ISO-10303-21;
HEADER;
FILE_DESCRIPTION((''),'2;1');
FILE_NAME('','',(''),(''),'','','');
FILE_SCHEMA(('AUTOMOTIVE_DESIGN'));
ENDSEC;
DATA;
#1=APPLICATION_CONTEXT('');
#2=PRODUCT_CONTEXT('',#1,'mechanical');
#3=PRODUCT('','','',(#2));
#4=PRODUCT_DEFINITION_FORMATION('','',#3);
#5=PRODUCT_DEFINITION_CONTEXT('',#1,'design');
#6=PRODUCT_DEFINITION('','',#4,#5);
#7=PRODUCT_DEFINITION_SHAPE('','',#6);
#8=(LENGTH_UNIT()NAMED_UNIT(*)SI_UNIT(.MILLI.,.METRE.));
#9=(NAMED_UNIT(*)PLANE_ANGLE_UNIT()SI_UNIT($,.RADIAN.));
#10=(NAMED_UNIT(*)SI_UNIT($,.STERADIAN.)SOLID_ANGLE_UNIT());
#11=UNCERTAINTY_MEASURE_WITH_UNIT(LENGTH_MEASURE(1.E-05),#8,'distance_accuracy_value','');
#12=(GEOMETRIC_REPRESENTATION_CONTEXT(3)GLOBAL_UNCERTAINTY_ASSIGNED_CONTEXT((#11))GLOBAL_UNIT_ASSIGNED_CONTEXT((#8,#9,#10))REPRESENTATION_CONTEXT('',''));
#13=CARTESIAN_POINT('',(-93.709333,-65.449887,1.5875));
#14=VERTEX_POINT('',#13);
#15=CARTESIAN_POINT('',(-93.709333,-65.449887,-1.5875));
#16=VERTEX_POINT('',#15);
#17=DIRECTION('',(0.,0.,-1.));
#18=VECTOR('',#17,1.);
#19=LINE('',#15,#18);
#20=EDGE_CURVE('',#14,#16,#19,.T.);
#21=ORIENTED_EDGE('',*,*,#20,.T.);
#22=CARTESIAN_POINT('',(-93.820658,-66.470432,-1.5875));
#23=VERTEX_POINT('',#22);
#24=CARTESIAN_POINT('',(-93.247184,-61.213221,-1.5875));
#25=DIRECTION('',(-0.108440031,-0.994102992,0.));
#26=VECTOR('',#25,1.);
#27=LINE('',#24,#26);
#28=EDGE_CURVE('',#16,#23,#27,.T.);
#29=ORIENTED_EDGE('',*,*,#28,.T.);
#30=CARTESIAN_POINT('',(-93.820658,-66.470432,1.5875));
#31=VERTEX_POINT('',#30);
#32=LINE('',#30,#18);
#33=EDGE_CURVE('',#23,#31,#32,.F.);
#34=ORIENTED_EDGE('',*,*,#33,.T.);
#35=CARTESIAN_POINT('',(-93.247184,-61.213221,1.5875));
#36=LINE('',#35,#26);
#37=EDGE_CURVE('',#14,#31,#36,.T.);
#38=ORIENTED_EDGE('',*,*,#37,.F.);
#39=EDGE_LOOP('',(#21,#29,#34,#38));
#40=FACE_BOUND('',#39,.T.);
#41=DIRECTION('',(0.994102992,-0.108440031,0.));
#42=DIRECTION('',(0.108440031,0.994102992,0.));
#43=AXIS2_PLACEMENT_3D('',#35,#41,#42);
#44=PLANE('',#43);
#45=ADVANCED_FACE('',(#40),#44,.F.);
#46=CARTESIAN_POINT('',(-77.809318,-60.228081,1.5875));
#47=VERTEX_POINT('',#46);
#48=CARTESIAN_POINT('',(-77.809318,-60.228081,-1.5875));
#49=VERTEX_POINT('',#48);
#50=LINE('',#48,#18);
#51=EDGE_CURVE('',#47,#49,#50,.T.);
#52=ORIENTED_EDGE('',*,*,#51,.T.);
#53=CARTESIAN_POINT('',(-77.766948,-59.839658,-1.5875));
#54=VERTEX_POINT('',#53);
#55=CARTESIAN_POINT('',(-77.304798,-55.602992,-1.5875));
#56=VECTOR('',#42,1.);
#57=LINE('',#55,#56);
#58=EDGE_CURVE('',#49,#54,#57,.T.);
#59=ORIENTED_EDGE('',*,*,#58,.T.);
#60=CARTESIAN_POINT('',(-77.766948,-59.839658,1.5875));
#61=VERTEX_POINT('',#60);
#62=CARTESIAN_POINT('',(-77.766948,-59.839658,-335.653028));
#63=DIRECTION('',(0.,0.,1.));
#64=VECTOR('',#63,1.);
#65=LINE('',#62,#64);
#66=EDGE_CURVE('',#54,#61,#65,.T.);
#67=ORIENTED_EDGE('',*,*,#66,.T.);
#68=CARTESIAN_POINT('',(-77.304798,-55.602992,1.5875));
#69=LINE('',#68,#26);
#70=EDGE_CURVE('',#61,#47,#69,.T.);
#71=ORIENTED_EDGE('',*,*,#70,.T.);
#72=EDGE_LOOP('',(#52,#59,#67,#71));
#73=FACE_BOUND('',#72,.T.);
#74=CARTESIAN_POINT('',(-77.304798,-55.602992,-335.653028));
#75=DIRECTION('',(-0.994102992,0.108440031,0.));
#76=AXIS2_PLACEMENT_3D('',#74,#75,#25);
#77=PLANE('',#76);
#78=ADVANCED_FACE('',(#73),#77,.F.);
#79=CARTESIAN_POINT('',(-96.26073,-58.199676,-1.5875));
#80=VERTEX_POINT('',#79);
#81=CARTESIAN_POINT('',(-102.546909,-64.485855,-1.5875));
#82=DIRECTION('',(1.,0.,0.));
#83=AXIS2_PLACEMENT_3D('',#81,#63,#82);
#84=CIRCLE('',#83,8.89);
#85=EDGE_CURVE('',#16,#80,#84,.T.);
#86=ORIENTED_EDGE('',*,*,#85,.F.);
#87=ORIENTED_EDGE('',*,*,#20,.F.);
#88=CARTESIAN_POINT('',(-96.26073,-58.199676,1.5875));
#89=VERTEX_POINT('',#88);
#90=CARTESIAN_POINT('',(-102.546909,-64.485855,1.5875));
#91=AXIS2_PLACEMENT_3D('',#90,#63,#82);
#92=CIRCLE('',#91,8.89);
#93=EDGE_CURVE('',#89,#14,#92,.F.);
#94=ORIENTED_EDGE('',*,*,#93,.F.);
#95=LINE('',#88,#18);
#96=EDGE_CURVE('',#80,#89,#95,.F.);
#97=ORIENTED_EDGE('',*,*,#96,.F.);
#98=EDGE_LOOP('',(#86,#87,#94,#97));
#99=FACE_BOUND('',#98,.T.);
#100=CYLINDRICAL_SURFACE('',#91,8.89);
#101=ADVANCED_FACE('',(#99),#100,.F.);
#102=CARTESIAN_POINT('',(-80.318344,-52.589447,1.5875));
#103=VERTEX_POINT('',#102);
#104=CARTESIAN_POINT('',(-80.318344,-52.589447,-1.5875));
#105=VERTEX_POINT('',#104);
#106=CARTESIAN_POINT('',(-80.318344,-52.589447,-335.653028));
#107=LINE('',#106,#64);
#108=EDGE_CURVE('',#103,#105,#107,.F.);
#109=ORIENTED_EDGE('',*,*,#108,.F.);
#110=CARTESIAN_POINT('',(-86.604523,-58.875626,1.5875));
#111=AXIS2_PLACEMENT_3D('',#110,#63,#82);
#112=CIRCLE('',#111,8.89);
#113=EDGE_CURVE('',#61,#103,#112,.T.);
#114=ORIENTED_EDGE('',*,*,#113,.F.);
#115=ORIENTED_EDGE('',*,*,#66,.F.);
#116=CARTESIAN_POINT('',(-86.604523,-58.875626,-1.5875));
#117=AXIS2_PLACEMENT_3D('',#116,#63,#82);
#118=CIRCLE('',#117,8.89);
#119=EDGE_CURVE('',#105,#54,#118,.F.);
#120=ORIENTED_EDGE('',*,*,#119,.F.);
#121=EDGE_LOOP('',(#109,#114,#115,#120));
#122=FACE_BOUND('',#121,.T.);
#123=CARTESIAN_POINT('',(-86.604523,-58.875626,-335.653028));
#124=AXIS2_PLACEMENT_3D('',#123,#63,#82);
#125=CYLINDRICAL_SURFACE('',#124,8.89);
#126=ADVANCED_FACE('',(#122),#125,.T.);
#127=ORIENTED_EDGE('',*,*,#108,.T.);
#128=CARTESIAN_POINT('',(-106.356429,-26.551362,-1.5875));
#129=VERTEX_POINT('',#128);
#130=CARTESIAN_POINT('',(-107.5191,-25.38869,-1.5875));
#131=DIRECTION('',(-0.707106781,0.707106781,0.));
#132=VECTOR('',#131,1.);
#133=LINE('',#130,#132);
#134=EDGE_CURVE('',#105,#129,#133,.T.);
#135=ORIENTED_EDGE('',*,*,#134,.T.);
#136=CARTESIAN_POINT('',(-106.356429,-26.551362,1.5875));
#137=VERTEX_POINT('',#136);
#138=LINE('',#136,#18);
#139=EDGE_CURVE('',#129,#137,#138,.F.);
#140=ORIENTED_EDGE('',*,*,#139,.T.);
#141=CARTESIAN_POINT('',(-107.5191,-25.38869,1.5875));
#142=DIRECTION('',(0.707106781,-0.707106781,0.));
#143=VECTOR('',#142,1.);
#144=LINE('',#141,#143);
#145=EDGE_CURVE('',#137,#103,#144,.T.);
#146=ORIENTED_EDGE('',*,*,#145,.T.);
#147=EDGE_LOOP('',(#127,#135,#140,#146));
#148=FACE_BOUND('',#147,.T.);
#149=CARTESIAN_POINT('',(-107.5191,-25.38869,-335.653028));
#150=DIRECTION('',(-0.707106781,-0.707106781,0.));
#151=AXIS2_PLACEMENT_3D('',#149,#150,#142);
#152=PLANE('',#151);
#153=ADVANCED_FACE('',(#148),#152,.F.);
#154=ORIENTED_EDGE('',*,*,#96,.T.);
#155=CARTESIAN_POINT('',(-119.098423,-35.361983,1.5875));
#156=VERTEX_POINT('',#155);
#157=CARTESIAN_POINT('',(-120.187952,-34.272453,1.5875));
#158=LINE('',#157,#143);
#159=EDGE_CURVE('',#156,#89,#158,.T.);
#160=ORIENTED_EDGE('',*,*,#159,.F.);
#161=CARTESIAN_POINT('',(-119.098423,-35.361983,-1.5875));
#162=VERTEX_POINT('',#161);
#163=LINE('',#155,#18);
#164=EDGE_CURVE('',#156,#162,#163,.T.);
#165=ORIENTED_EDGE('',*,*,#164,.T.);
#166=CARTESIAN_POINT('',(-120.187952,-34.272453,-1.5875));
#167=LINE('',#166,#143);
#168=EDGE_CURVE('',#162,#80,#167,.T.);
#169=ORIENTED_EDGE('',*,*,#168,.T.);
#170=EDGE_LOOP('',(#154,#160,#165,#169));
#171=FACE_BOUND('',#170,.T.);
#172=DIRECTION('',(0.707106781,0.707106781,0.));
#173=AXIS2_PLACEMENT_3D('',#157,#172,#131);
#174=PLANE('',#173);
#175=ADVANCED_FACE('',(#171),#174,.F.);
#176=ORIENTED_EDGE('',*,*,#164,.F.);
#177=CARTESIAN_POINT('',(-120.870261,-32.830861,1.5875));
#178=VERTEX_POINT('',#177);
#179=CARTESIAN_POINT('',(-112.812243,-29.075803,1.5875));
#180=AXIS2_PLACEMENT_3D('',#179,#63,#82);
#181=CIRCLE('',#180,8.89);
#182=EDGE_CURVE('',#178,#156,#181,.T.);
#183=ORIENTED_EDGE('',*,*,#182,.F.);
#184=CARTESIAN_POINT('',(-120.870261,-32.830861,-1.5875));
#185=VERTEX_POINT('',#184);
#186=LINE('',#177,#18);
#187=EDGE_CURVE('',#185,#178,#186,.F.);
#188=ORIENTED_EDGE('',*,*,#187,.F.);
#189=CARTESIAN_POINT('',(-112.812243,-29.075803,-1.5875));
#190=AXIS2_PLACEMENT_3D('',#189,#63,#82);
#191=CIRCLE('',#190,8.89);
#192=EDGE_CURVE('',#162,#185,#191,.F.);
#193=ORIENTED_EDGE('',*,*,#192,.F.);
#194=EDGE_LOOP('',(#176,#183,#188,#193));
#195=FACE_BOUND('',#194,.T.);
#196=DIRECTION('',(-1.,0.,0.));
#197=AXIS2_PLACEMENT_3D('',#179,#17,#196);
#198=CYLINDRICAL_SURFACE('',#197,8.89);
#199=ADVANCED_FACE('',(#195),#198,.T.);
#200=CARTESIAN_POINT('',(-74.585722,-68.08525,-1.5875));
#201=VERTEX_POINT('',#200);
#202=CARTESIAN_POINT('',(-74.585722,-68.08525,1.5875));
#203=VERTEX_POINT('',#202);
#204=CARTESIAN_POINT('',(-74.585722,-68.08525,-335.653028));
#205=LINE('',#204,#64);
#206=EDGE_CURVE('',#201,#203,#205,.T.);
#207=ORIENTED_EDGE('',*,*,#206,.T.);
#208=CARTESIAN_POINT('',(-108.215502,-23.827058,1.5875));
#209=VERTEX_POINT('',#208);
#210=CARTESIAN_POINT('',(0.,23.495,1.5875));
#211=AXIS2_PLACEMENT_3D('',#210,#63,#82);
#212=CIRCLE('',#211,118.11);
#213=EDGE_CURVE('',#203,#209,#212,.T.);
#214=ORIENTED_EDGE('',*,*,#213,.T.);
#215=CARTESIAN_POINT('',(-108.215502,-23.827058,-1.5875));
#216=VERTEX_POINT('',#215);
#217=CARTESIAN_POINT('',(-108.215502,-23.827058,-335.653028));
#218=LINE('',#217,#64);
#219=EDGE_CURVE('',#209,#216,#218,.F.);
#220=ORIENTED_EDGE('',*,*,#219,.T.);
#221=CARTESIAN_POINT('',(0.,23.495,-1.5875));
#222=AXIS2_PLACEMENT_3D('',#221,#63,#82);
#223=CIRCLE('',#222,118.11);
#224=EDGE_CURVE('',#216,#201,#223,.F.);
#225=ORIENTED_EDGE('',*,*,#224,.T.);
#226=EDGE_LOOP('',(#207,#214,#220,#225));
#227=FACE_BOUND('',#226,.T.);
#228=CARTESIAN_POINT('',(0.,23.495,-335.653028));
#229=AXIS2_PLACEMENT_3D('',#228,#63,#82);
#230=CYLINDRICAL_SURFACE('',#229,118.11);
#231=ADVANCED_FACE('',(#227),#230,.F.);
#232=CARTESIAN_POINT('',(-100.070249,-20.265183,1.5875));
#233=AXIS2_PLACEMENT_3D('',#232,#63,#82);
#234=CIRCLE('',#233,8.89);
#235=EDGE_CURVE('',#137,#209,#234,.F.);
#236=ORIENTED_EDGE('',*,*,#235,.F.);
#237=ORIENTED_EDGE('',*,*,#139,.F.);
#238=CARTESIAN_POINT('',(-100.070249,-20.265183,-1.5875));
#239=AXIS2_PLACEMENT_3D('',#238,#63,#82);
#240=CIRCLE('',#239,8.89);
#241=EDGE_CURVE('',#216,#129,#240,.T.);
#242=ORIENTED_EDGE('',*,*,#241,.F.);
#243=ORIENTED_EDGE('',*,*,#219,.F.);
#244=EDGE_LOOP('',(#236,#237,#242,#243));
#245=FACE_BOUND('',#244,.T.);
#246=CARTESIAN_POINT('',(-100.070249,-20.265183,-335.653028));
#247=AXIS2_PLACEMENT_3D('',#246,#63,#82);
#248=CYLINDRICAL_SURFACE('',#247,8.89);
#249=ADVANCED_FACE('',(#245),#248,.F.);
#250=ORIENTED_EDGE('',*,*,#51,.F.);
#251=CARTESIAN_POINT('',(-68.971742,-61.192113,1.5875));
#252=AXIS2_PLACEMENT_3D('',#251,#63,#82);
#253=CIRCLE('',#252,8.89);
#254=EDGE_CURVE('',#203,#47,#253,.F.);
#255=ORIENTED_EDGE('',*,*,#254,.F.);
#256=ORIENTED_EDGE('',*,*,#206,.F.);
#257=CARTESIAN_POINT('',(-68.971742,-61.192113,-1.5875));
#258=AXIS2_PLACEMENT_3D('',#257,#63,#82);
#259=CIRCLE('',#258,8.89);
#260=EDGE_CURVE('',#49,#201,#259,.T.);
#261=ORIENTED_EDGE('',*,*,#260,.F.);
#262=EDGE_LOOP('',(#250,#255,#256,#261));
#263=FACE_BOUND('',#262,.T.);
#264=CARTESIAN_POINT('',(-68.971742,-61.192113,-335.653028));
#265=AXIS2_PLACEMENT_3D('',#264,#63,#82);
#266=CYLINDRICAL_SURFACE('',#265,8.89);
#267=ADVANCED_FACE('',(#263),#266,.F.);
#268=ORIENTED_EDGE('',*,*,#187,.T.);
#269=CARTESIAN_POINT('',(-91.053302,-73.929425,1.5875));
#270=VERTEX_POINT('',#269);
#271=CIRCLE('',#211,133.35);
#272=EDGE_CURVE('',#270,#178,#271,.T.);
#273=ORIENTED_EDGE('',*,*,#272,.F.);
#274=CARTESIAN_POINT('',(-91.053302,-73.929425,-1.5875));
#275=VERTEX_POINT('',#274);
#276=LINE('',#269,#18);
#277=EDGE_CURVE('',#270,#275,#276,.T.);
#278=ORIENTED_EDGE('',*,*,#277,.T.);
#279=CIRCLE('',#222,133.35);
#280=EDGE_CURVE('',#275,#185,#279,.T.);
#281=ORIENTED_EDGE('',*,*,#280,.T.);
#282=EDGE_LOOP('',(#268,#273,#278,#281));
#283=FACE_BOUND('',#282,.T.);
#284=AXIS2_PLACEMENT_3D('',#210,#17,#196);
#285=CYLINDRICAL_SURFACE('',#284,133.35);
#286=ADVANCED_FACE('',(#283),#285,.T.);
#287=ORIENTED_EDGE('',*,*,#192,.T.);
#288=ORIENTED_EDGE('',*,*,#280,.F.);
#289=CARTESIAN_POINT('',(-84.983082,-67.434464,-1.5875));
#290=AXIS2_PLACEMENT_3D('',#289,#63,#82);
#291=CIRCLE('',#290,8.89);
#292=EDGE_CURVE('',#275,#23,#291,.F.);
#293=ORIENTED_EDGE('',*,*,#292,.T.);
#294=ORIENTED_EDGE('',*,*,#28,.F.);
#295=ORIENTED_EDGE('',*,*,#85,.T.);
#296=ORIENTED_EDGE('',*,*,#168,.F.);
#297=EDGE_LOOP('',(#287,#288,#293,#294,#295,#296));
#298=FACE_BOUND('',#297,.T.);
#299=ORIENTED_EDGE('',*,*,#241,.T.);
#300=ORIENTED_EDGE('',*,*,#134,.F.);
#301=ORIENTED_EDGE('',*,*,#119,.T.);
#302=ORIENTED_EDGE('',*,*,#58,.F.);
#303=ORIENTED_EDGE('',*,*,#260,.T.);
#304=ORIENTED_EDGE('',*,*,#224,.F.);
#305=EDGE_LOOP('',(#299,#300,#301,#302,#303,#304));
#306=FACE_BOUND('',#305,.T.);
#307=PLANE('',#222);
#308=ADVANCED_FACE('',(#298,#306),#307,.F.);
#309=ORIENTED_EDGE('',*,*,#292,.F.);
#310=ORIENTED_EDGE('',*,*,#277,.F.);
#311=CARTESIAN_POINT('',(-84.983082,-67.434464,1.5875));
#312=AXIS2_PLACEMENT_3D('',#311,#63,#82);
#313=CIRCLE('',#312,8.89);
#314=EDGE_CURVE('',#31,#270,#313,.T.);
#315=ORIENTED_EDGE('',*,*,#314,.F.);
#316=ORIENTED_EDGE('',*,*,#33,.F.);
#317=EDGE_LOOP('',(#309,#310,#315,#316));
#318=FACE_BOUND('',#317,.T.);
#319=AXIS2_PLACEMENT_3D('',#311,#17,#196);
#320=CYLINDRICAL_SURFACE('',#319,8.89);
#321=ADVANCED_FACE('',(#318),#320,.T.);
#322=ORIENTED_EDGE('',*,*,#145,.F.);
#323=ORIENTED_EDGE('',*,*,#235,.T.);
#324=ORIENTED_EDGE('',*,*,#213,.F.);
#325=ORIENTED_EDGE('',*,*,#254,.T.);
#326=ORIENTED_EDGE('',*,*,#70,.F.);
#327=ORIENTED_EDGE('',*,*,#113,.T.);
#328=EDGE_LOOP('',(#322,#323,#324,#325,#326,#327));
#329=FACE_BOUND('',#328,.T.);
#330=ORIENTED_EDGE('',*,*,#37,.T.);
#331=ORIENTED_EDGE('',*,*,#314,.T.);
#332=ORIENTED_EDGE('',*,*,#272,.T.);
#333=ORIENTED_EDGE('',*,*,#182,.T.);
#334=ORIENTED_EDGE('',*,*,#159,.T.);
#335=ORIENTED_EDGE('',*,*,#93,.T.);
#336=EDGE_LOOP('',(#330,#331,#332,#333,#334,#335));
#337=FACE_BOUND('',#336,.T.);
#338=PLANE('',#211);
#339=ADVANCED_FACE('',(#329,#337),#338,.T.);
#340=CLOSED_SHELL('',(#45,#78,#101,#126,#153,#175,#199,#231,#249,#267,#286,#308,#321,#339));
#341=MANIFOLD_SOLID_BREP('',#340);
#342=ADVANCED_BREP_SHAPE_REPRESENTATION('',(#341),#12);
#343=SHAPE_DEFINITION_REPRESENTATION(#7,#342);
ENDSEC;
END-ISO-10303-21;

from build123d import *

# Parameters (mm, degrees)
BOSS_EXTRUDE1_DEPTH = 1.5875
CUT_EXTRUDE1_DEPTH  = 3.175
FILLET1_R           = 8.89


with BuildPart() as part:
    # Sketch1 → Boss-Extrude1 (new, symmetric)
    with BuildSketch(Plane.XY):
        with BuildLine():
            Line((-120.187952283, -34.272453), (-93.24718392, -61.213221363))
            Line((-93.24718392, -61.213221363), (-94.292689271, -70.797689271))
            ThreePointArc((-94.292689271, -70.797689271), (-77.124658044, -85.289234251), (-57.767453, -96.692952283))
            ThreePointArc((-57.767453, -96.692952283), (94.292689271, 117.787689271), (-120.187952283, -34.272453))
        make_face()
    extrude(amount=BOSS_EXTRUDE1_DEPTH, both=True)

    # Sketch2 → Cut-Extrude1 (cut)
    with BuildSketch(Plane.XY.offset(1.5875)):
        with BuildLine():
            Line((-77.304798152, -55.60299244), (-78.320318415, -64.912577861))
            ThreePointArc((-78.320318415, -64.912577861), (94.997930523, 93.675946819), (-107.51910025, -25.388690342))
            Line((-107.51910025, -25.388690342), (-77.304798152, -55.60299244))
        make_face()
    extrude(amount=-CUT_EXTRUDE1_DEPTH, mode=Mode.SUBTRACT)

    # Fillet1
    fillet1_edges = [part.edges().sort_by_distance(p)[0] for p in [
        (-77.304798152, -55.60299244, 0),
        (-107.51910025, -25.388690342, 0),
        (-78.320318415, -64.912577861, 0),
        (-93.24718392, -61.213221363, -0.79375),
        (-120.187952283, -34.272453, -0.79375),
        (-94.292689271, -70.797689271, -0.79375),
    ]]
    fillet(fillet1_edges, radius=FILLET1_R)


solid = part.part
